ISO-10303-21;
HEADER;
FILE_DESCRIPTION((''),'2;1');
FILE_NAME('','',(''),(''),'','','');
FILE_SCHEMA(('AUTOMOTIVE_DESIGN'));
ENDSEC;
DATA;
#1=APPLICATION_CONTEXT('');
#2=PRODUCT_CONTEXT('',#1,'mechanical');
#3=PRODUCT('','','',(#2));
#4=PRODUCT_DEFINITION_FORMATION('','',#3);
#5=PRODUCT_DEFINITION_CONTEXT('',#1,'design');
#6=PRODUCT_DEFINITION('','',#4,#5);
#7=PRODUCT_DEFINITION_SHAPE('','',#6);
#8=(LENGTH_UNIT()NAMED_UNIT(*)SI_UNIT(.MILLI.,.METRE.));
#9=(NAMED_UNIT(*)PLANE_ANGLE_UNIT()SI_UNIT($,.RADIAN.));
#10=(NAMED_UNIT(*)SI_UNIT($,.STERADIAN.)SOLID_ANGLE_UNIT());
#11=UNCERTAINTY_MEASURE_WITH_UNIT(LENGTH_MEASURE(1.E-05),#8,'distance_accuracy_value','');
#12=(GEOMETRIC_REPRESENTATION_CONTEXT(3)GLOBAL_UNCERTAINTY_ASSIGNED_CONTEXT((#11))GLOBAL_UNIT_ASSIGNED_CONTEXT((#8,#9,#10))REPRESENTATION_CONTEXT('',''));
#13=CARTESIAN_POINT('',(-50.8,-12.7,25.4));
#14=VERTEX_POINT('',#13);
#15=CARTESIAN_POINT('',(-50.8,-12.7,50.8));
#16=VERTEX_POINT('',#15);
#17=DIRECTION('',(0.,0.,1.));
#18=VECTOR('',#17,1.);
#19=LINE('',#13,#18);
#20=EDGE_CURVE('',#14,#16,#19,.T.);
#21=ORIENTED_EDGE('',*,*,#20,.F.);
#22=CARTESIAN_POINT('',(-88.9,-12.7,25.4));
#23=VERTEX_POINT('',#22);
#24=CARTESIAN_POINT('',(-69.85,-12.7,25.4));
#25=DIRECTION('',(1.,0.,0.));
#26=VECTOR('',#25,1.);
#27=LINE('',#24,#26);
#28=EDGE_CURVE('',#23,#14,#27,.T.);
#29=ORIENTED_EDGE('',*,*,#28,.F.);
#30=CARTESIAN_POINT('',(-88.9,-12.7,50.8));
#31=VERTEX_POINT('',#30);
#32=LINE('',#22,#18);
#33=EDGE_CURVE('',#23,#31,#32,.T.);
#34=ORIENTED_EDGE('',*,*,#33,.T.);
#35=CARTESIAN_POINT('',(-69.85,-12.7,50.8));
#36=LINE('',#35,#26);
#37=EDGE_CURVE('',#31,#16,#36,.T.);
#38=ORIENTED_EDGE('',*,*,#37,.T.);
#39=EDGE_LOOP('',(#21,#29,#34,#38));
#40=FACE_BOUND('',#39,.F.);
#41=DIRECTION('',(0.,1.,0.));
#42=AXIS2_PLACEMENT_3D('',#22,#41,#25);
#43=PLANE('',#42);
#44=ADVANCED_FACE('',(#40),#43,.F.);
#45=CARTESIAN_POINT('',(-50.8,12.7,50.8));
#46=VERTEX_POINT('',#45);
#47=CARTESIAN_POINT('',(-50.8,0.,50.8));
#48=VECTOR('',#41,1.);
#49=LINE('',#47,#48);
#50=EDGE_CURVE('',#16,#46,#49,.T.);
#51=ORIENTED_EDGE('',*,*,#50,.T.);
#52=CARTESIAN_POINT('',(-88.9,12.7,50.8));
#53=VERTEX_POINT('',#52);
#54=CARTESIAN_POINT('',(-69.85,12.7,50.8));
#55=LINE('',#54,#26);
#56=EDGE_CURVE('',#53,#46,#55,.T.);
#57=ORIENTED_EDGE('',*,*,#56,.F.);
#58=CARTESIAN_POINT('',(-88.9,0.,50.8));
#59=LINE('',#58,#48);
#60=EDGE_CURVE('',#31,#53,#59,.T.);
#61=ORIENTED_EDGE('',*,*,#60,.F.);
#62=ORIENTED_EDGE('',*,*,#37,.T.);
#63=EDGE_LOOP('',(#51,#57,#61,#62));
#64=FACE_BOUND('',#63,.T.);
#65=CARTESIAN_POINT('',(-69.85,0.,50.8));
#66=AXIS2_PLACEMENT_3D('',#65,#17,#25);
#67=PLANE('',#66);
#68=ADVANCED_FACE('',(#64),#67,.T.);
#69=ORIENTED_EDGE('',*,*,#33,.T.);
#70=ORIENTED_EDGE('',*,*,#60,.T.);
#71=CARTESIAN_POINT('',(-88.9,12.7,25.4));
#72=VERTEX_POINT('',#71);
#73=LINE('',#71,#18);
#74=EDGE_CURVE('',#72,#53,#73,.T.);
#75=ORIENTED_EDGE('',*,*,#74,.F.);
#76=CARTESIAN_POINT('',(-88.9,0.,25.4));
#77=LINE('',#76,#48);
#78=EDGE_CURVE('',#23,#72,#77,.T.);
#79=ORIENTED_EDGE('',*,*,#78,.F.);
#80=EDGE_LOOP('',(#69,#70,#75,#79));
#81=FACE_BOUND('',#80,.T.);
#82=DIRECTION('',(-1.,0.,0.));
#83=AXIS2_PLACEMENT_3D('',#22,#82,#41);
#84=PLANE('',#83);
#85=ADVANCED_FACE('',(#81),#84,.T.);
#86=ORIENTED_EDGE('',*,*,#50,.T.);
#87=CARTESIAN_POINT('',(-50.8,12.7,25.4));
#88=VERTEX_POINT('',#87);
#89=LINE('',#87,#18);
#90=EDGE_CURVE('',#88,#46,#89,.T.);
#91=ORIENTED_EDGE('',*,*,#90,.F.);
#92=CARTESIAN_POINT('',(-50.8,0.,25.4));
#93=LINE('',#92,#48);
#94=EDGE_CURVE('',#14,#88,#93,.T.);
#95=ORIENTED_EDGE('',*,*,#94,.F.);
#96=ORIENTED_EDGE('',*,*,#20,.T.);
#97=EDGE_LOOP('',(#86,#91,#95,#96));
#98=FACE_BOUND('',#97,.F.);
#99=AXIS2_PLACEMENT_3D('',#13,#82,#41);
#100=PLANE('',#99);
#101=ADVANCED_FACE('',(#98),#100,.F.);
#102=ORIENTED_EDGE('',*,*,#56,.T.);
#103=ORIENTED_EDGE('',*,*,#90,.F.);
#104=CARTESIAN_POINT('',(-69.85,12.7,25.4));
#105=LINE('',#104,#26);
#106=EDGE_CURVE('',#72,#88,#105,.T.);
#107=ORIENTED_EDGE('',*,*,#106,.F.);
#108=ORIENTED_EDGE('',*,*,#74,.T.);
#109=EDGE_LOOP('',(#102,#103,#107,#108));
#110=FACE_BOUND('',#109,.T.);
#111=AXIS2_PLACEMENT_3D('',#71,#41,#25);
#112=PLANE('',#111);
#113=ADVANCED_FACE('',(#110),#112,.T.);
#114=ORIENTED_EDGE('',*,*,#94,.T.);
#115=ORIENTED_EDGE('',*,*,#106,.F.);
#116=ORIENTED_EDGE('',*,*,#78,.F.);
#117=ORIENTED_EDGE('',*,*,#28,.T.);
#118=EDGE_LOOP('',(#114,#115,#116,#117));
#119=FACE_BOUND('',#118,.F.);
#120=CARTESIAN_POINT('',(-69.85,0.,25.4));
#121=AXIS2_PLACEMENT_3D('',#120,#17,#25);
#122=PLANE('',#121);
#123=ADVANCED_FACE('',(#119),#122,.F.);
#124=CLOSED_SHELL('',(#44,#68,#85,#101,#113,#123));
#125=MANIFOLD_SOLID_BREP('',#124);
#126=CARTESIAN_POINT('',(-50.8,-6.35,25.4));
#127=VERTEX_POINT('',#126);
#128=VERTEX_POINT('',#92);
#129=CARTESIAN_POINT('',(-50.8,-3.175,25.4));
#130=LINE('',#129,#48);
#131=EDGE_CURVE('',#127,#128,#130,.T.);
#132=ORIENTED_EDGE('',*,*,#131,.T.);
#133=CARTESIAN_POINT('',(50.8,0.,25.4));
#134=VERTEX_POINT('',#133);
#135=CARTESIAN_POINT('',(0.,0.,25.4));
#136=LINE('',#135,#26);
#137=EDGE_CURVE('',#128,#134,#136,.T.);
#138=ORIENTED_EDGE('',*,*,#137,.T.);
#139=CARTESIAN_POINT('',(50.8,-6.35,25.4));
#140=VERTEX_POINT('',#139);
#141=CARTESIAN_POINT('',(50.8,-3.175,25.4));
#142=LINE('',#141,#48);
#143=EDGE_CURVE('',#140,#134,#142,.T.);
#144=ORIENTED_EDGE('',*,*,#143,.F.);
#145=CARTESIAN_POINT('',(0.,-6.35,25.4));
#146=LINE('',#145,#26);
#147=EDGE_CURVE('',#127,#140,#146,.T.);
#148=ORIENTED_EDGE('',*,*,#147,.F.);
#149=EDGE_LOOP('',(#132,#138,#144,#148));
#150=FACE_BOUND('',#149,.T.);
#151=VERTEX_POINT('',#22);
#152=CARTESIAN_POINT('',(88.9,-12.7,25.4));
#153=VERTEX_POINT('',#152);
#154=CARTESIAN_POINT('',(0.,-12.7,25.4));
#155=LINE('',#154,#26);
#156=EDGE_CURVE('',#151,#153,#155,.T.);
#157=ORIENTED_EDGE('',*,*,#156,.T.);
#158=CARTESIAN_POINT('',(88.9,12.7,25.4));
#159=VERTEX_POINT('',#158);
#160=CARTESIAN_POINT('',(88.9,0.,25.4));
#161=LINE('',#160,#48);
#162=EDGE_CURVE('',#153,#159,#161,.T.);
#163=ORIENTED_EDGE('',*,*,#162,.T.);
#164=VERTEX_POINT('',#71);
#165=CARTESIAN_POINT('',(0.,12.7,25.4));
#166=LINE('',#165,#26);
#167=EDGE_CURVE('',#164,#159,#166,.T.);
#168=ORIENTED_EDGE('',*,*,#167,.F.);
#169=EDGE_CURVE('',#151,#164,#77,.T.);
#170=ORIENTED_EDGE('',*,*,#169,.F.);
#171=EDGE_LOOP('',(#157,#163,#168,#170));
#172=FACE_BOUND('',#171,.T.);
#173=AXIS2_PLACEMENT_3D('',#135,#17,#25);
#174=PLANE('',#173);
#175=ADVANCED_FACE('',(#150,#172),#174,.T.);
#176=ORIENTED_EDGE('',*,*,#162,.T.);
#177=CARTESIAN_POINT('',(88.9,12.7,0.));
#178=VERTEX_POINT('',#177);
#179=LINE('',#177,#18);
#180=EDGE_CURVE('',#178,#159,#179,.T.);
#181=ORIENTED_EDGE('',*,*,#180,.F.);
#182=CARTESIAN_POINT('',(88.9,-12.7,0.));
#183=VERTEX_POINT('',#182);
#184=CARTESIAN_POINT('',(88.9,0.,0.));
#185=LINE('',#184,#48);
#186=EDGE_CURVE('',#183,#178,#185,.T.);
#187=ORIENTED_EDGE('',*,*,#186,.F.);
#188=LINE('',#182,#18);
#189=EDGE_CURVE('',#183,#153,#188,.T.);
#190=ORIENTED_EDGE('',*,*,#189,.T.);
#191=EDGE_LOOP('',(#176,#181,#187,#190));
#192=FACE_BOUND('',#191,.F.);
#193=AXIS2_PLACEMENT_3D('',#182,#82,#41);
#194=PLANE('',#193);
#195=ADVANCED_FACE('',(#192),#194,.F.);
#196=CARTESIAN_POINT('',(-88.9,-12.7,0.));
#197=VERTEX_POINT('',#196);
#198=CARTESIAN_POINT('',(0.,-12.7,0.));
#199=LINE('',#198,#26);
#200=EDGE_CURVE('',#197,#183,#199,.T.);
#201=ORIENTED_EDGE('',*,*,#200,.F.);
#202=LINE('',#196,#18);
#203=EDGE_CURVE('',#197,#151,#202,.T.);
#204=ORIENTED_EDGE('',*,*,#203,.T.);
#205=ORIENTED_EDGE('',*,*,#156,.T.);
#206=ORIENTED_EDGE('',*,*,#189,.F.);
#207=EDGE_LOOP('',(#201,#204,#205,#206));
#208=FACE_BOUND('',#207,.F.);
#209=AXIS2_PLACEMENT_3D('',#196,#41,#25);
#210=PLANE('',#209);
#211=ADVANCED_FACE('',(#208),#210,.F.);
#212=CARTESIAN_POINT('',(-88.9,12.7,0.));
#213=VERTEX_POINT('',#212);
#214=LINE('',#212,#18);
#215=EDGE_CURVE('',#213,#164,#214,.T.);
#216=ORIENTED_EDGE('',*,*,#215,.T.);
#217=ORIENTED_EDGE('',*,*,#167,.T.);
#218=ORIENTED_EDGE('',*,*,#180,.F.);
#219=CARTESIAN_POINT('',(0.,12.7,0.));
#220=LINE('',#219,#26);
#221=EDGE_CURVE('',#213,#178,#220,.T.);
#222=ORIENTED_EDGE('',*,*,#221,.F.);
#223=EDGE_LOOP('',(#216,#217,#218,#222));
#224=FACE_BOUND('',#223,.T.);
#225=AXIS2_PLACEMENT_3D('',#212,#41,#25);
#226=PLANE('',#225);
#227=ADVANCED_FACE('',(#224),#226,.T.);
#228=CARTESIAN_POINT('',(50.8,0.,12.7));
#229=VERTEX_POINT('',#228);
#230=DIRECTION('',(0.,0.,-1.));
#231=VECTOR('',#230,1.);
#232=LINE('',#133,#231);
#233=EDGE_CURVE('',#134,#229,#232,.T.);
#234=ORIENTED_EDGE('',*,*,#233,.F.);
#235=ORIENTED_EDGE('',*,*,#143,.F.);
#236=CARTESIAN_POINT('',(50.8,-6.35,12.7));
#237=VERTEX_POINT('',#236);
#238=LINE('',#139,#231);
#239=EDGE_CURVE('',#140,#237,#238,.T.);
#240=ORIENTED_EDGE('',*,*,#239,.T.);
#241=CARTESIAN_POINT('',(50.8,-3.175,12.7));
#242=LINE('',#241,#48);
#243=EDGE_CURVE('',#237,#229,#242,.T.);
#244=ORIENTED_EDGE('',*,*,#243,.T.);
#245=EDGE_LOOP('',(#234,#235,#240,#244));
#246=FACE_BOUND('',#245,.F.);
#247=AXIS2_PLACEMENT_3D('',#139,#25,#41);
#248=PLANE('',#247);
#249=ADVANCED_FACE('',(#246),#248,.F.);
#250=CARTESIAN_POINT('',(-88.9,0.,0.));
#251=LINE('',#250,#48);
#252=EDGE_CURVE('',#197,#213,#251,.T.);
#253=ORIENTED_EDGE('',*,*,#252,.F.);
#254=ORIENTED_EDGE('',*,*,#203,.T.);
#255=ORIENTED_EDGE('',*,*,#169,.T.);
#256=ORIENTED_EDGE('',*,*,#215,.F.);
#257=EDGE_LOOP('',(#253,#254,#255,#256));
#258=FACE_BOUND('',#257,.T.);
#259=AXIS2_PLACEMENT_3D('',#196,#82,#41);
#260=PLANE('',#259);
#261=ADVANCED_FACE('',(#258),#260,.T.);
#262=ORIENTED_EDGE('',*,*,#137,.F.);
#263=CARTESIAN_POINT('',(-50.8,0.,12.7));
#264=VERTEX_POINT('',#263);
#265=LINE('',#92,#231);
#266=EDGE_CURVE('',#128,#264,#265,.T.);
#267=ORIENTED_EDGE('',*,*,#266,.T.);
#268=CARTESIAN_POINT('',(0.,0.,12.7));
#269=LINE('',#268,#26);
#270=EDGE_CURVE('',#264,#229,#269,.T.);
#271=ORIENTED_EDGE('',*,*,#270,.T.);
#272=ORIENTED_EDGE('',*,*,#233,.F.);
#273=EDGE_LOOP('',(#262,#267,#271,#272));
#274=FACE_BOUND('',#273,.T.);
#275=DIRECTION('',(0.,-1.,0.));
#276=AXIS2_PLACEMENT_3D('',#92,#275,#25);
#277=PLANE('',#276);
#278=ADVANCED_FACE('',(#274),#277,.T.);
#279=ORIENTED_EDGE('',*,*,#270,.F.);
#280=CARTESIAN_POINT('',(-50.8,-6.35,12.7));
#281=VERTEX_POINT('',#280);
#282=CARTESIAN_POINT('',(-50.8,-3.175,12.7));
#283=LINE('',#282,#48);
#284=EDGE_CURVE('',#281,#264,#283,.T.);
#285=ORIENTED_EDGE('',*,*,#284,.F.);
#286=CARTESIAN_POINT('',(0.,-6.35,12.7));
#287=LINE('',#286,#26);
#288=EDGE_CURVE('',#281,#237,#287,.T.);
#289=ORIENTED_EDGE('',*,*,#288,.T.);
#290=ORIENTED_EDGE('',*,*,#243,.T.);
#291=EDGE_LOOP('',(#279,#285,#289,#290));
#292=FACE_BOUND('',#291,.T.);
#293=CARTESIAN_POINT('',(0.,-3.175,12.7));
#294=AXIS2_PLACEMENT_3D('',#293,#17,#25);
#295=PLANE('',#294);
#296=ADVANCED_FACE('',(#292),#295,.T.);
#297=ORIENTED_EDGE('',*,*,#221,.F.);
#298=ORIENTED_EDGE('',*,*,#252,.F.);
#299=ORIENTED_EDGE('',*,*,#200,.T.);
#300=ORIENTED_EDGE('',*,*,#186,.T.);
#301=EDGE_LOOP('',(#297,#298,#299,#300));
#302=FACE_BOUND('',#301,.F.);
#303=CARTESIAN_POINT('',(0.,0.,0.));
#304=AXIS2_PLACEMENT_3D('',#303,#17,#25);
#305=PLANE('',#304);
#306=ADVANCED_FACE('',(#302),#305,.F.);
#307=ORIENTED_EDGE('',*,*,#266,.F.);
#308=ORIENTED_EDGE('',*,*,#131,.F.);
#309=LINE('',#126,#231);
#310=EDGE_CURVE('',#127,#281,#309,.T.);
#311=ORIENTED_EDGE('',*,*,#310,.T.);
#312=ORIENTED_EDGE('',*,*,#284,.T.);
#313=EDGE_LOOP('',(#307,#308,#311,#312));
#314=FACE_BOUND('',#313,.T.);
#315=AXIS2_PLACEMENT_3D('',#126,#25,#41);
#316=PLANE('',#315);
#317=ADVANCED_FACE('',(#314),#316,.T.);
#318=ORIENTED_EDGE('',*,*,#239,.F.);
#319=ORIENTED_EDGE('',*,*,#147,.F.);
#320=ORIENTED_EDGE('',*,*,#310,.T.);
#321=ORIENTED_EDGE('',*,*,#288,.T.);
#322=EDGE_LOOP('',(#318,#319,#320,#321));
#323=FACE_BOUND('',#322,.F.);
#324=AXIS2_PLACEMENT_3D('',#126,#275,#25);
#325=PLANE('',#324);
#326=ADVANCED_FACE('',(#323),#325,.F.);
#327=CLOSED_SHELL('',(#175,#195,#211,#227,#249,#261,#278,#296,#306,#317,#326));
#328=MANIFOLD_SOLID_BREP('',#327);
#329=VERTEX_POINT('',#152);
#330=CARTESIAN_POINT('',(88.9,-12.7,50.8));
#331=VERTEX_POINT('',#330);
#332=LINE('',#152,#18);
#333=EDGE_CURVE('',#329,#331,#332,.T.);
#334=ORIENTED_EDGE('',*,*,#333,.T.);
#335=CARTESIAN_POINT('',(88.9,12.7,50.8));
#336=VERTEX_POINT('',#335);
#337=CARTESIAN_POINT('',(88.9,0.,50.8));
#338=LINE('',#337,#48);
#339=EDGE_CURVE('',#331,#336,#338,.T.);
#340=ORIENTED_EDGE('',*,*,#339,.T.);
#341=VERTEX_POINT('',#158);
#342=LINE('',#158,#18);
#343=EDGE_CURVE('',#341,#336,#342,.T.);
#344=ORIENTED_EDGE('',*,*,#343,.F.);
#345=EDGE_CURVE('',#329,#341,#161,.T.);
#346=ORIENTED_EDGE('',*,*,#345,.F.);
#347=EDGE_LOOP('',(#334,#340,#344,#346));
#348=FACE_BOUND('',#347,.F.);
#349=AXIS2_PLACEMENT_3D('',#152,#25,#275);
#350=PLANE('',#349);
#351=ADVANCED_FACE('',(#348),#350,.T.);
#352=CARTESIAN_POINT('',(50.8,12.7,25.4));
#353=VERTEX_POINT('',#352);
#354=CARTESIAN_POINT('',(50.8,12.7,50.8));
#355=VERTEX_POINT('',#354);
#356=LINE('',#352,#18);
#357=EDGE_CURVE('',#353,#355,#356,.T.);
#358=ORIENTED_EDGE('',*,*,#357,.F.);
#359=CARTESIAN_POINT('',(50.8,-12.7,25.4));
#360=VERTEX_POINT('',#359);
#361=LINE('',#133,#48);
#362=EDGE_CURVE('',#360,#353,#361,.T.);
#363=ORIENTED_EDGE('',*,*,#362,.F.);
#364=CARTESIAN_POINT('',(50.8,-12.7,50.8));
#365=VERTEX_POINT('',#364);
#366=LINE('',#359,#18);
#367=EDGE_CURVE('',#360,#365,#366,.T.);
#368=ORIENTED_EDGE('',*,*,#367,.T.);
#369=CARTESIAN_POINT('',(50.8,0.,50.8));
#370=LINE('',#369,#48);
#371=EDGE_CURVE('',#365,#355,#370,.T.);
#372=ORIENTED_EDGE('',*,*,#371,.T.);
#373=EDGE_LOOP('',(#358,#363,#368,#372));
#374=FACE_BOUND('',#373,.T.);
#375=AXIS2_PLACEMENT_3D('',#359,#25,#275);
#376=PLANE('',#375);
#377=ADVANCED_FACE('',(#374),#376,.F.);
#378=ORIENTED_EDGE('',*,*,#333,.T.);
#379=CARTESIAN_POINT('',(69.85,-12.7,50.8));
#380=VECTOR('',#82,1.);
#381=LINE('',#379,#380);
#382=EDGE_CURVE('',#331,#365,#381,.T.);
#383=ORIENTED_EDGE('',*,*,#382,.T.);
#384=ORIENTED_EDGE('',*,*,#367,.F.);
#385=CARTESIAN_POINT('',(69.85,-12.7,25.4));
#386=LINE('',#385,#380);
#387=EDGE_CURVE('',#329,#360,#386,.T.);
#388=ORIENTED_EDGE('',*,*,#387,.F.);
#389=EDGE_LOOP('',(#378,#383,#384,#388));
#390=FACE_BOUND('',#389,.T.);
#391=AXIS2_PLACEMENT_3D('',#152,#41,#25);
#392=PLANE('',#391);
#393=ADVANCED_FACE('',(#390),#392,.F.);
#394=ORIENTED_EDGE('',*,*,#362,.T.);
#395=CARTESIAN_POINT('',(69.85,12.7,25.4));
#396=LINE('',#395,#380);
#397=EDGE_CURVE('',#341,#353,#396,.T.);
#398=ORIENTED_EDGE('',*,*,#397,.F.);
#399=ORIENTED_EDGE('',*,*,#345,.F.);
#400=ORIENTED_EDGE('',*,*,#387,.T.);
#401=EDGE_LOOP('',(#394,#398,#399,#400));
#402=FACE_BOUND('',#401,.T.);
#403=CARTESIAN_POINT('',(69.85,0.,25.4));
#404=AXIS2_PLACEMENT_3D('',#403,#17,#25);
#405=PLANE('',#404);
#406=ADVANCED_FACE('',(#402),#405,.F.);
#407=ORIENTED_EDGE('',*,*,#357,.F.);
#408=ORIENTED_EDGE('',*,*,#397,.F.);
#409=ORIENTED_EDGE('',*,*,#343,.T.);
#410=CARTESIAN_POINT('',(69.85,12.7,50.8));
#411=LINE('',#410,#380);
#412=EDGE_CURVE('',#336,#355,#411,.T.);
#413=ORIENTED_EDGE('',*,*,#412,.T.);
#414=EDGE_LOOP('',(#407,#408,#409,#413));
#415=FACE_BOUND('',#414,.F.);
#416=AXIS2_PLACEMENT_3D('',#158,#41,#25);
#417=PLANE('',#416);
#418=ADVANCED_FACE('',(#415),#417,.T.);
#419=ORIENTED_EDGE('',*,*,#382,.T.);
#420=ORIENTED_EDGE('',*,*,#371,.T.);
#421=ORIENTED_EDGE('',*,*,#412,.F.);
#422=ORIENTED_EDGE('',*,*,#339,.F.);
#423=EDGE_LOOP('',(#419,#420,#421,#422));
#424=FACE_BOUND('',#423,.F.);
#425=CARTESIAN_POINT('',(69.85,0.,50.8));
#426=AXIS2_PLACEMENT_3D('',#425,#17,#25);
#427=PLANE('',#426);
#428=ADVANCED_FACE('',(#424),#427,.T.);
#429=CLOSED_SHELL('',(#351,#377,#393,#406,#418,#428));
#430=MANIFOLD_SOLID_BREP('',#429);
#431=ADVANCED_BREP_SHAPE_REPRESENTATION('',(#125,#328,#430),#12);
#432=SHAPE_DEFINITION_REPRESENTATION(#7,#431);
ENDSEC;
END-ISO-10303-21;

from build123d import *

# Parameters (mm, degrees)
F0_W     = 177.8
F0_H     = 25.4
F1_DEPTH = 25.4
F2_W     = 38.1
F2_H     = 25.4
F3_DEPTH = 25.4
F5_W     = 101.6
F5_H     = 6.35
F6_DEPTH = 12.7


with BuildPart() as f1:
    # F0 (on Top) → F1 (new body)
    with BuildSketch(Plane.XY):
        Rectangle(F0_W, F0_H)
    extrude(amount=F1_DEPTH)

    # F5 (on face) → F6 (cut)
    with BuildSketch(Plane.XY.offset(25.4)):
        with Locations((0, -3.175)):
            Rectangle(F5_W, F5_H)
    extrude(amount=-F6_DEPTH, mode=Mode.SUBTRACT)


with BuildPart() as f3:
    # F2 (on face) → F3 (new body)
    with BuildSketch(Plane.XY.offset(25.4)):
        with Locations((-69.85, 0)):
            Rectangle(F2_W, F2_H)
    extrude(amount=F3_DEPTH)


with BuildPart() as f4_1:
    # F4: instance of F3
    add(f3.part.mirror(Plane.YZ))


solid = Compound([f1.part, f3.part, f4_1.part])
